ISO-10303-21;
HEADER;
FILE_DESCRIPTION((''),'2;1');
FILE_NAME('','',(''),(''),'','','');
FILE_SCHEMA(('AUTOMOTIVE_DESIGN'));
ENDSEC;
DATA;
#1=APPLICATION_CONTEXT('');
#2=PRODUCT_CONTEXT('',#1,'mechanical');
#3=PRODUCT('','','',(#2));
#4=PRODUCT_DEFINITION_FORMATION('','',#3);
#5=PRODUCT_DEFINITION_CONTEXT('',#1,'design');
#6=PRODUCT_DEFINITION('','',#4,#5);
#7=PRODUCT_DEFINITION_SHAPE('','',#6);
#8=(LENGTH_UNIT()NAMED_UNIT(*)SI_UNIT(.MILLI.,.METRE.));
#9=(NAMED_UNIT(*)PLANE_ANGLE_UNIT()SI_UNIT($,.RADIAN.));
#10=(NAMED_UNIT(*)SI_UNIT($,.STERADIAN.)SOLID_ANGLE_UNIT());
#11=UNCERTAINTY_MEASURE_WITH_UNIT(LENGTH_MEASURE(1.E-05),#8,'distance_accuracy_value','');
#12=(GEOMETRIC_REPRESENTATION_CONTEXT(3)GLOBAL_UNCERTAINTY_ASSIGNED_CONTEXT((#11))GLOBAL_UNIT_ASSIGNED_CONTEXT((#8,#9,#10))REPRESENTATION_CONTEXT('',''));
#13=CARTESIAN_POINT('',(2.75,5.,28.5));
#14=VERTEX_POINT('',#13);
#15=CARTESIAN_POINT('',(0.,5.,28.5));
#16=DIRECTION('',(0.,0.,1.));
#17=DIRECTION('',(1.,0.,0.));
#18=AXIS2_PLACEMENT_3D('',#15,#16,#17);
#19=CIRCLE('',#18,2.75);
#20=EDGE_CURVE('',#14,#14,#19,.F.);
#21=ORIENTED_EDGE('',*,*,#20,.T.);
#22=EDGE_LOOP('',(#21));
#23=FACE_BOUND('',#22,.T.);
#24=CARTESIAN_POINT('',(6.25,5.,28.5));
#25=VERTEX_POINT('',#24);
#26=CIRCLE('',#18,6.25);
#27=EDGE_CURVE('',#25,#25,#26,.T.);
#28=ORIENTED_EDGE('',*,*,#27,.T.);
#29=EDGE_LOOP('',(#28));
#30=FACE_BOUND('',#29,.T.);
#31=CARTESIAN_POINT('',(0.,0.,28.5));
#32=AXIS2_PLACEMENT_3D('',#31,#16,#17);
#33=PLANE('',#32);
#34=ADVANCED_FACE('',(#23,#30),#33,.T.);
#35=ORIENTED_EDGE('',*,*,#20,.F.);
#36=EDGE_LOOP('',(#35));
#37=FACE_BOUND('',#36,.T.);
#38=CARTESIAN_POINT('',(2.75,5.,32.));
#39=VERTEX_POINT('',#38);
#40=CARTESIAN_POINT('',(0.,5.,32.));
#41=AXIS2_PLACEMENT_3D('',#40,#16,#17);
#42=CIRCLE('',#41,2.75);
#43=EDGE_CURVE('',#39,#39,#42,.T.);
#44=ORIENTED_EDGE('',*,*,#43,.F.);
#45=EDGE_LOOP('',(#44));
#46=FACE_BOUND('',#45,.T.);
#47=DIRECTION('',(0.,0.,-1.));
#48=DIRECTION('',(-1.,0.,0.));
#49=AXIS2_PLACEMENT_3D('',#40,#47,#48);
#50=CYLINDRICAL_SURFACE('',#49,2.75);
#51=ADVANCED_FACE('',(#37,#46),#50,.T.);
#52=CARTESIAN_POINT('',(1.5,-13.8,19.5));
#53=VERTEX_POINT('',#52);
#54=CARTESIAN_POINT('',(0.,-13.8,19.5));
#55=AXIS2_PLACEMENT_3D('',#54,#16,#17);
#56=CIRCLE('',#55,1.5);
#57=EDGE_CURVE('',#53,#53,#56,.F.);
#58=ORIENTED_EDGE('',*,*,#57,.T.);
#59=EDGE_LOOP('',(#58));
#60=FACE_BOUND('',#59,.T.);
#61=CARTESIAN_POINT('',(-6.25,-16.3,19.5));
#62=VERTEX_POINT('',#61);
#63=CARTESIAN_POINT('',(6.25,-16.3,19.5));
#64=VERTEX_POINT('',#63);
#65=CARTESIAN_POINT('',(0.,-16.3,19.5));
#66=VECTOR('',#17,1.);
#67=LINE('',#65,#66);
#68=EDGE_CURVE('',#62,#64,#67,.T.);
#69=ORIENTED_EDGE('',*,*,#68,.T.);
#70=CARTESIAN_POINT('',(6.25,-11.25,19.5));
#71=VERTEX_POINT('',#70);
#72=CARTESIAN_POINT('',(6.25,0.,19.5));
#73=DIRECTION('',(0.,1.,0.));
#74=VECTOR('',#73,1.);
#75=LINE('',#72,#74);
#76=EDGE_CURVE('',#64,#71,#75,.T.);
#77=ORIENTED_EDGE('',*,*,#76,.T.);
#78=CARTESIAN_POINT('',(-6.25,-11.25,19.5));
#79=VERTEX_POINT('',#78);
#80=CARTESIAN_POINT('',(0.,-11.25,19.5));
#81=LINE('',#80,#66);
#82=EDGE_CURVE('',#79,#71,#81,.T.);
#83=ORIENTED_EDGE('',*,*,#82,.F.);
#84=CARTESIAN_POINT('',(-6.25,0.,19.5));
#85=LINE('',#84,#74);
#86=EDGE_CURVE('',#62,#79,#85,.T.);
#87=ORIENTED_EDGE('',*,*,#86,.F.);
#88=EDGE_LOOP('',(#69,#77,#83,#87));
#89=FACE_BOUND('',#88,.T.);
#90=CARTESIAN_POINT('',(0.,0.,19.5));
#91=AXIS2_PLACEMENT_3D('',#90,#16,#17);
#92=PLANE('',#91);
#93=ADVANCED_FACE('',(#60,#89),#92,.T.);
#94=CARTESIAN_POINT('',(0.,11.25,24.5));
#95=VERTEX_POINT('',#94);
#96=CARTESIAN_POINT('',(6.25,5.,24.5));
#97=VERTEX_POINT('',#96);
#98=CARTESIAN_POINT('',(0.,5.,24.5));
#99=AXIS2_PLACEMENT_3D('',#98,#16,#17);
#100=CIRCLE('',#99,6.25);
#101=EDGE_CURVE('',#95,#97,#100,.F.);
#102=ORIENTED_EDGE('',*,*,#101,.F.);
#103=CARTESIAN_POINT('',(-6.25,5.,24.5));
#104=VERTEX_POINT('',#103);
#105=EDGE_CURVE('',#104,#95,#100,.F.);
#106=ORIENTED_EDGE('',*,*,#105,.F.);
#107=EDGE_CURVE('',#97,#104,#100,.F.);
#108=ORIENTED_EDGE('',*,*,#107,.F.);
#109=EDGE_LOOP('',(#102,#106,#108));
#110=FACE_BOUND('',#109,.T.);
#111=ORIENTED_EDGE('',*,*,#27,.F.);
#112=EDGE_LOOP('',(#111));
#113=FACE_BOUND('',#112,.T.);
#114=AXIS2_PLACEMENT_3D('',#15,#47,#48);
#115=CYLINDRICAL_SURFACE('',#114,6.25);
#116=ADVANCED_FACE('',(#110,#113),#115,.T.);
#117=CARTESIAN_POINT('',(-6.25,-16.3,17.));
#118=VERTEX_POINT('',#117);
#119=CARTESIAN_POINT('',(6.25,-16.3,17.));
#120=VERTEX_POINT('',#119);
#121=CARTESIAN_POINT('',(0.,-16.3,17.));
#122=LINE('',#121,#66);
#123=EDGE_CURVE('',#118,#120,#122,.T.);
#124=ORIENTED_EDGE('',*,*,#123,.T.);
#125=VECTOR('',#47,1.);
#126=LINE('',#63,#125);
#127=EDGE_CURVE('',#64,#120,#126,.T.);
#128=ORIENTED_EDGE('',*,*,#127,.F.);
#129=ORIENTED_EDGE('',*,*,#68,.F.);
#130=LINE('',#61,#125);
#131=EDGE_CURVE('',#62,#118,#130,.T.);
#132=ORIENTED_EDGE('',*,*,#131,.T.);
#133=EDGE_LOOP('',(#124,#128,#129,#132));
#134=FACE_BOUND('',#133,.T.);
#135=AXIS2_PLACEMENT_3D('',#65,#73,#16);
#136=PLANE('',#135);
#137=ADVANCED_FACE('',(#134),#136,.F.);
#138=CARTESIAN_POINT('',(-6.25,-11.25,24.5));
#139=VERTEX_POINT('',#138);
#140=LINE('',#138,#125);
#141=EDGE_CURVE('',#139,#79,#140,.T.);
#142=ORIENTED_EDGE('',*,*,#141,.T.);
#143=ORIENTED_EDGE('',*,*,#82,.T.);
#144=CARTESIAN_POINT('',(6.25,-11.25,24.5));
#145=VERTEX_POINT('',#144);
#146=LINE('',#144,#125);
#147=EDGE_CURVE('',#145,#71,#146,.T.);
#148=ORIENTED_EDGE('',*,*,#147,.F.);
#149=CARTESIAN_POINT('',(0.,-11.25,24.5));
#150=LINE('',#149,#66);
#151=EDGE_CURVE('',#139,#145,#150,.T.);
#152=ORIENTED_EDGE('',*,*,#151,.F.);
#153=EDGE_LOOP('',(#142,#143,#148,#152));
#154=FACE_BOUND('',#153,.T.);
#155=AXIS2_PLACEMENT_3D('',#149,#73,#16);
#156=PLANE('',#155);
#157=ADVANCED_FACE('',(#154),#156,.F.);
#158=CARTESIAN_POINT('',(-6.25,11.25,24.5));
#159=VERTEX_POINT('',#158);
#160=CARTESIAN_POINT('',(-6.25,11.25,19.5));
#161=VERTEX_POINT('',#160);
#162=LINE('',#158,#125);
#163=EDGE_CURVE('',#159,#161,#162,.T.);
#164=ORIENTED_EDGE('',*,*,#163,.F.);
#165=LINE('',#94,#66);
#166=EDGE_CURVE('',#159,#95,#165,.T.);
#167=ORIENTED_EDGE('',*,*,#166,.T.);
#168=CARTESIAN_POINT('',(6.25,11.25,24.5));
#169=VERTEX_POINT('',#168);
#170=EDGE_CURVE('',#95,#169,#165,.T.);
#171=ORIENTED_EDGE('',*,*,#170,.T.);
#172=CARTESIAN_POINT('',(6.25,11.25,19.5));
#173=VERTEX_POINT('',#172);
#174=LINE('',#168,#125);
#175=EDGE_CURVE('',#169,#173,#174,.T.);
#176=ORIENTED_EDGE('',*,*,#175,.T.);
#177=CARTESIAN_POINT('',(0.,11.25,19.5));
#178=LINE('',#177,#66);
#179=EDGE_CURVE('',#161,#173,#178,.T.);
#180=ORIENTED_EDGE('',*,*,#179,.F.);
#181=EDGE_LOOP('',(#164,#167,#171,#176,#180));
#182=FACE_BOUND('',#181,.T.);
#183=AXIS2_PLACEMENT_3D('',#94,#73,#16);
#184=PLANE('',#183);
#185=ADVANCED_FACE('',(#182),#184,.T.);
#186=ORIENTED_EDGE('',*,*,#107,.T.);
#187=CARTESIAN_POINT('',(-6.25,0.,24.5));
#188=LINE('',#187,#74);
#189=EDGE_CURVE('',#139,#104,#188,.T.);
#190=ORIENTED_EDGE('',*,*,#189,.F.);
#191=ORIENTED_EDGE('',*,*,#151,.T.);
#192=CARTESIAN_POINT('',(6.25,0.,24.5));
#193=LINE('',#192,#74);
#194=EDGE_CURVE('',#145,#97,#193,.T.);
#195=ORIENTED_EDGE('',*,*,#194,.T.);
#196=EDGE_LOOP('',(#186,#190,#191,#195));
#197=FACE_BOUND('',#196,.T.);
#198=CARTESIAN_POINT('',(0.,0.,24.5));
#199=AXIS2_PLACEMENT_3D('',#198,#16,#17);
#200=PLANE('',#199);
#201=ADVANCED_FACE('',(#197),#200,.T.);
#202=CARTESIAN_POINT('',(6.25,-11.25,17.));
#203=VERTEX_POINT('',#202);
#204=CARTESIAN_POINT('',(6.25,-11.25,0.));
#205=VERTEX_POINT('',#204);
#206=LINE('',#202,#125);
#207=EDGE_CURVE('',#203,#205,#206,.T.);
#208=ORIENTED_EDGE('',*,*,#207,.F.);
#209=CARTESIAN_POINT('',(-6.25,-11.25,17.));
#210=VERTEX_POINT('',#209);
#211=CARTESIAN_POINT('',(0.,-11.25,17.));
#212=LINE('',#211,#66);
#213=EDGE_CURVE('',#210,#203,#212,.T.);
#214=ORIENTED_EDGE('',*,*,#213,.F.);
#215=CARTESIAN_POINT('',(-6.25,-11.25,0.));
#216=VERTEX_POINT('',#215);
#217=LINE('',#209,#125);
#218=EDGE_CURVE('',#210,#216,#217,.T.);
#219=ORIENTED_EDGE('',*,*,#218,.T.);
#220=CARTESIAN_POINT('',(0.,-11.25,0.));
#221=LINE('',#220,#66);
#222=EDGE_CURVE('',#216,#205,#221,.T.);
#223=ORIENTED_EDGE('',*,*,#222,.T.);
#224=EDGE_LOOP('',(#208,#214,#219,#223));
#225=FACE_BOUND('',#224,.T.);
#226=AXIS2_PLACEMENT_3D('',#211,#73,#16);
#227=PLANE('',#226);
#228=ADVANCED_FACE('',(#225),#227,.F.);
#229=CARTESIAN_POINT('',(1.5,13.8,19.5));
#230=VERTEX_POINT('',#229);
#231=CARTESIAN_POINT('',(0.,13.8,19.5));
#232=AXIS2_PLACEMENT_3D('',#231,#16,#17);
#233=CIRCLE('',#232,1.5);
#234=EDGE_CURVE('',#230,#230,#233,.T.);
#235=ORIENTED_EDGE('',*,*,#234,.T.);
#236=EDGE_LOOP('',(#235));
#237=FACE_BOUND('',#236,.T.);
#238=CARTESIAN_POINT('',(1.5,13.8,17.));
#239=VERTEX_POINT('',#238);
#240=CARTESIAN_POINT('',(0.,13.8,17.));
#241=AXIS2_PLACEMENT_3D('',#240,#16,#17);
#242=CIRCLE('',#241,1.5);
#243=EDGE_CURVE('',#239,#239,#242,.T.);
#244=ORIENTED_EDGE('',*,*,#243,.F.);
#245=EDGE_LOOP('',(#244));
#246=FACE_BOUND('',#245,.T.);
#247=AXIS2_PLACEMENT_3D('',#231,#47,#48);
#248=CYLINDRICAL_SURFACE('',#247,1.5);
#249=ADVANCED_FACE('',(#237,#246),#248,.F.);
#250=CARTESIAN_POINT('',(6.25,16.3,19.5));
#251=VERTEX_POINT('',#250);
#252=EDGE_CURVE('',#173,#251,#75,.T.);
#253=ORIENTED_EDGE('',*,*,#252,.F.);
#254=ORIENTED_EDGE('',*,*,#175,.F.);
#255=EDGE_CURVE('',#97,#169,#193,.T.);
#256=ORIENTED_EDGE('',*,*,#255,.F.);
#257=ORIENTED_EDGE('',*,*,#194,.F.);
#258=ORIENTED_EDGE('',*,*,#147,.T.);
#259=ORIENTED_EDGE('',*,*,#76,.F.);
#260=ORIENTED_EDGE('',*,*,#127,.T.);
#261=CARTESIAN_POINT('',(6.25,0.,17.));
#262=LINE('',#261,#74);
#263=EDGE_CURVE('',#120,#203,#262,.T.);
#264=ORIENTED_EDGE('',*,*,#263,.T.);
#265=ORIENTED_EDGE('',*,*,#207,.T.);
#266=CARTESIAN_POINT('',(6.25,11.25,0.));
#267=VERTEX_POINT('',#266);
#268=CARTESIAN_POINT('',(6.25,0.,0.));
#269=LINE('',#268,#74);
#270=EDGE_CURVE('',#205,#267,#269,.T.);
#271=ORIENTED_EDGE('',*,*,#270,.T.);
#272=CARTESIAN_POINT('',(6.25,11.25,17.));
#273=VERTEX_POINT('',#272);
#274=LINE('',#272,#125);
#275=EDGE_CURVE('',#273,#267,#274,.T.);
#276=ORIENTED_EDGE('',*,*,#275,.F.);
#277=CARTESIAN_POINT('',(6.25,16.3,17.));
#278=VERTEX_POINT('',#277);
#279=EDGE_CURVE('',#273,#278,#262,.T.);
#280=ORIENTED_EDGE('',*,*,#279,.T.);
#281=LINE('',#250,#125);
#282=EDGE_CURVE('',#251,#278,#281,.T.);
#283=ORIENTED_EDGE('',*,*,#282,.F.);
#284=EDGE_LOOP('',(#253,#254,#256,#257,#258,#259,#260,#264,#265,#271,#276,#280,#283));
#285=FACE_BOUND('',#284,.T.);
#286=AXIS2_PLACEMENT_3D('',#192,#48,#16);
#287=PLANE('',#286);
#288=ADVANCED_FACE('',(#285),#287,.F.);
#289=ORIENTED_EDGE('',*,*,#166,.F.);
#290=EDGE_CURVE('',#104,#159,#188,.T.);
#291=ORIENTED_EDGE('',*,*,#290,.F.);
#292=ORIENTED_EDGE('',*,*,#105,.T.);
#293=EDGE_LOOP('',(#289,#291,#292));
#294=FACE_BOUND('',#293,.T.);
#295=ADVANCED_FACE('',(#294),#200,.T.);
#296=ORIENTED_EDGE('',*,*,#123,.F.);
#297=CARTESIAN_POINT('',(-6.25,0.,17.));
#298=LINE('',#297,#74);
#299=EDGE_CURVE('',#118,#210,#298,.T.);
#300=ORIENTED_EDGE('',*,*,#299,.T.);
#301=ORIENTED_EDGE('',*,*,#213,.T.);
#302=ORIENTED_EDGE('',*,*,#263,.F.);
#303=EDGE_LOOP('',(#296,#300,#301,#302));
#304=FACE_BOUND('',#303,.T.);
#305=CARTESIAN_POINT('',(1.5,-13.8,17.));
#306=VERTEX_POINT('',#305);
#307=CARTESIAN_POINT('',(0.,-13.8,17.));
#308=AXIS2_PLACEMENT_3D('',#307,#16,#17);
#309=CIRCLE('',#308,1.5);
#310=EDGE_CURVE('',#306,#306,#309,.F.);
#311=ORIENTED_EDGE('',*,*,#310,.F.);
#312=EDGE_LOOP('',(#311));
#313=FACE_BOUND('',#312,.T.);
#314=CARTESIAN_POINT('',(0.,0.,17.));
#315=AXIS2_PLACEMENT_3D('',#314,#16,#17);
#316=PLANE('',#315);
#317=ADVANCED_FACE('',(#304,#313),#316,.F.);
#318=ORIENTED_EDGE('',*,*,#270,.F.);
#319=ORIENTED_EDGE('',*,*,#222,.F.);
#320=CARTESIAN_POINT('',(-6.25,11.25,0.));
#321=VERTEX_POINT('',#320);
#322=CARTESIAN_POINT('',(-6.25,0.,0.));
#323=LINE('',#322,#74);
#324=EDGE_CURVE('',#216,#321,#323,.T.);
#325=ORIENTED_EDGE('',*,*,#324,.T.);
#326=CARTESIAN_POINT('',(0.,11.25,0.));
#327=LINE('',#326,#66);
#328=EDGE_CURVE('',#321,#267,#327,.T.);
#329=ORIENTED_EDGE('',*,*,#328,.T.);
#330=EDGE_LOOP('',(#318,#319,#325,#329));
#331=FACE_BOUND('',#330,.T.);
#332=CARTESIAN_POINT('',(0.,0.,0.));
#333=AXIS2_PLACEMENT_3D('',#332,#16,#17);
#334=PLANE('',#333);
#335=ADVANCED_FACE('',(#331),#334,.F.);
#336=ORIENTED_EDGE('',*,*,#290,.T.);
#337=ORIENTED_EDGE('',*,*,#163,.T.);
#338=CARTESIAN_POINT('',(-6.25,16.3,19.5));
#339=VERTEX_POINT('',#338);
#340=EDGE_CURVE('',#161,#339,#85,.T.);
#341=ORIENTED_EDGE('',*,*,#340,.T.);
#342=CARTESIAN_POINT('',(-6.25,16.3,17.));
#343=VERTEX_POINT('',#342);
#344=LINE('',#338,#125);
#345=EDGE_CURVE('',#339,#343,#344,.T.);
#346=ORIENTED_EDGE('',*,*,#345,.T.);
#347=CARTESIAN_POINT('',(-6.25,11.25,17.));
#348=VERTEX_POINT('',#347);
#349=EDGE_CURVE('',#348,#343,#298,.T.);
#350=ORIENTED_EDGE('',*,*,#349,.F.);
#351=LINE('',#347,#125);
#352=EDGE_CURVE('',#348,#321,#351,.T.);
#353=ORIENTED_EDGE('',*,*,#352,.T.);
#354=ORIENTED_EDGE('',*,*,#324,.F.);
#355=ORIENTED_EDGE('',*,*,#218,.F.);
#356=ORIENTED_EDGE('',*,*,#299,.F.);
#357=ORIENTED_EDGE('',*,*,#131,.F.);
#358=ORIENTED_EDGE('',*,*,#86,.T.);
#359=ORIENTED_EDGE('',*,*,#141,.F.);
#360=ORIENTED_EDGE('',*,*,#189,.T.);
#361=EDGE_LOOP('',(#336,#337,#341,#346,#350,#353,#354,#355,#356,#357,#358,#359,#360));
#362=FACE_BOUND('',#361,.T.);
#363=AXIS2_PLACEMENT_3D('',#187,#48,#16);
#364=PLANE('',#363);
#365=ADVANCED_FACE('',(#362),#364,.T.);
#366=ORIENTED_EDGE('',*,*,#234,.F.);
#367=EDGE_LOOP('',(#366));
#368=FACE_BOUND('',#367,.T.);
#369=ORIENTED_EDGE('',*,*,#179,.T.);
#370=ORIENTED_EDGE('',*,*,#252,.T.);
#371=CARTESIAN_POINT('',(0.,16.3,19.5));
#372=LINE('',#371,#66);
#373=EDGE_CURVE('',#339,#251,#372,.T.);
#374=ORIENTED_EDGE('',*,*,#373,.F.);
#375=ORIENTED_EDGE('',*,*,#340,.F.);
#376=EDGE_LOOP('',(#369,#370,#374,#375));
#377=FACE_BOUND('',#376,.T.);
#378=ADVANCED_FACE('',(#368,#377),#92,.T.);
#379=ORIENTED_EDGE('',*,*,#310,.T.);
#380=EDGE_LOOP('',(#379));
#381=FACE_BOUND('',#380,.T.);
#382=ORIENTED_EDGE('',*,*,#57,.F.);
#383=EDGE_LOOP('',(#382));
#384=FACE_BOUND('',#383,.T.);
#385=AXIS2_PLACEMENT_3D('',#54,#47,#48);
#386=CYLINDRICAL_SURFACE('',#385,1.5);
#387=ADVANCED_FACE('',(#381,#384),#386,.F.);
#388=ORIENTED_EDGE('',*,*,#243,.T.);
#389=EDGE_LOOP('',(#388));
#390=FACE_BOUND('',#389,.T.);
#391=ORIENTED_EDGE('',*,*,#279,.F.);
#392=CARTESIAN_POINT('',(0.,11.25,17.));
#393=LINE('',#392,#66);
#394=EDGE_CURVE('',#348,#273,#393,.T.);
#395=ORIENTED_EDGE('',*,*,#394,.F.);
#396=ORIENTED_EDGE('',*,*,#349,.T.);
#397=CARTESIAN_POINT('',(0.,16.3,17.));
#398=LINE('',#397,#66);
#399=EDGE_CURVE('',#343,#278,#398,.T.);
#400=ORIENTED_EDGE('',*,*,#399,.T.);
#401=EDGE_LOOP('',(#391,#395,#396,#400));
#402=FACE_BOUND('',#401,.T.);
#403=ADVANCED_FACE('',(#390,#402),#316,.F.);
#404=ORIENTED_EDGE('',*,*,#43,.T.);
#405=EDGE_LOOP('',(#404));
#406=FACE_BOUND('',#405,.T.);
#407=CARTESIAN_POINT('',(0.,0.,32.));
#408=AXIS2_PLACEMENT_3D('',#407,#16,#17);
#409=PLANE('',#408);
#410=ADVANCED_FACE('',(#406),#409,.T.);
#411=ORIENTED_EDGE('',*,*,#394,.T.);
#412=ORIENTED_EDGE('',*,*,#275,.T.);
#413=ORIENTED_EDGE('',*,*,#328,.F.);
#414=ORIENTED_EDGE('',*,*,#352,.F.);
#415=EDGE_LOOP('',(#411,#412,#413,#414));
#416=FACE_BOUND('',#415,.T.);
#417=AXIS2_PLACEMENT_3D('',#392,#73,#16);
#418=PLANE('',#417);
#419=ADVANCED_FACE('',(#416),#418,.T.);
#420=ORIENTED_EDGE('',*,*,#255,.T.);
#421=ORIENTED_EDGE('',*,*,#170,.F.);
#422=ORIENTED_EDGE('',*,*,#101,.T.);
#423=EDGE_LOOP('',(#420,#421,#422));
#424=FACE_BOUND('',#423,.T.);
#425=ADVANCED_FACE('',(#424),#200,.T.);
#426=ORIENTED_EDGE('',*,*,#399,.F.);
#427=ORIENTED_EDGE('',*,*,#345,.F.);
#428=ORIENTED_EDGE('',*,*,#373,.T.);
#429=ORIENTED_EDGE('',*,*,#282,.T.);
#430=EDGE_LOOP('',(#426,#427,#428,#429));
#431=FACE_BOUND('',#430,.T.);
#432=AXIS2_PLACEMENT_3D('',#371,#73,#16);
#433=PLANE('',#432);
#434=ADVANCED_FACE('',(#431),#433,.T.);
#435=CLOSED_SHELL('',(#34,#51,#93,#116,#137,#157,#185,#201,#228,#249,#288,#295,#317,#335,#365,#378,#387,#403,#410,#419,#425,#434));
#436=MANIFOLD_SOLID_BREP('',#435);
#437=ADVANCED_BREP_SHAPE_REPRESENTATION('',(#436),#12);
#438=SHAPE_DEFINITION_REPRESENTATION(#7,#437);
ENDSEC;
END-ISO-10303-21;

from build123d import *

# Parameters (mm, degrees)
SKETCH_1_W          = 12.5
SKETCH_1_H          = 22.5
EXTRUDE_1_DEPTH     = 24.5
SKETCH_1_3_W        = 12.5
SKETCH_1_3_H        = 5.05
SKETCH_1_3_R        = 1.5
EXTRUDE_2_DEPTH     = 19.5
SKETCH_1_4_W        = 12.5
SKETCH_1_4_H        = 5.05
SKETCH_1_4_R        = 1.5
CUT_EXTRUDE_1_DEPTH = 17
SKETCH_1_5_R        = 6.25
EXTRUDE_3_DEPTH     = 28.5
SKETCH_1_6_R        = 2.75
EXTRUDE_4_DEPTH     = 32


with BuildPart() as part:
    # 草图1 → 凸台-拉伸1 (new body)
    with BuildSketch(Plane.XY):
        Rectangle(SKETCH_1_W, SKETCH_1_H)
    extrude(amount=EXTRUDE_1_DEPTH)

    # 草图1<3> → 凸台-拉伸2 (add)
    # profile 1 of 2: a face of its own
    with BuildSketch(Plane.XY):
        with Locations((0, -13.775)):
            Rectangle(SKETCH_1_3_W, SKETCH_1_3_H)
        with Locations((0, -13.8)):
            Circle(SKETCH_1_3_R, mode=Mode.SUBTRACT)
    # profile 2 of 2: a face of its own
    with BuildSketch(Plane.XY):
        with Locations((0, 13.775)):
            Rectangle(SKETCH_1_3_W, SKETCH_1_3_H)
        with Locations((0, 13.8)):
            Circle(SKETCH_1_3_R, mode=Mode.SUBTRACT)
    extrude(amount=EXTRUDE_2_DEPTH)

    # 草图1<4> → 切除-拉伸1 (cut)
    # profile 1 of 2: a face of its own
    with BuildSketch(Plane.XY):
        with Locations((0, -13.775)):
            Rectangle(SKETCH_1_4_W, SKETCH_1_4_H)
        with Locations((0, -13.8)):
            Circle(SKETCH_1_4_R, mode=Mode.SUBTRACT)
    # profile 2 of 2: a face of its own
    with BuildSketch(Plane.XY):
        with Locations((0, 13.775)):
            Rectangle(SKETCH_1_4_W, SKETCH_1_4_H)
        with Locations((0, 13.8)):
            Circle(SKETCH_1_4_R, mode=Mode.SUBTRACT)
    extrude(amount=CUT_EXTRUDE_1_DEPTH, mode=Mode.SUBTRACT)

    # 草图1<5> → 凸台-拉伸3 (add)
    with BuildSketch(Plane.XY):
        with Locations((0, 5)):
            Circle(SKETCH_1_5_R)
    extrude(amount=EXTRUDE_3_DEPTH)

    # 草图1<6> → 凸台-拉伸4 (add)
    with BuildSketch(Plane.XY):
        with Locations((0, 5)):
            Circle(SKETCH_1_6_R)
    extrude(amount=EXTRUDE_4_DEPTH)


solid = part.part
